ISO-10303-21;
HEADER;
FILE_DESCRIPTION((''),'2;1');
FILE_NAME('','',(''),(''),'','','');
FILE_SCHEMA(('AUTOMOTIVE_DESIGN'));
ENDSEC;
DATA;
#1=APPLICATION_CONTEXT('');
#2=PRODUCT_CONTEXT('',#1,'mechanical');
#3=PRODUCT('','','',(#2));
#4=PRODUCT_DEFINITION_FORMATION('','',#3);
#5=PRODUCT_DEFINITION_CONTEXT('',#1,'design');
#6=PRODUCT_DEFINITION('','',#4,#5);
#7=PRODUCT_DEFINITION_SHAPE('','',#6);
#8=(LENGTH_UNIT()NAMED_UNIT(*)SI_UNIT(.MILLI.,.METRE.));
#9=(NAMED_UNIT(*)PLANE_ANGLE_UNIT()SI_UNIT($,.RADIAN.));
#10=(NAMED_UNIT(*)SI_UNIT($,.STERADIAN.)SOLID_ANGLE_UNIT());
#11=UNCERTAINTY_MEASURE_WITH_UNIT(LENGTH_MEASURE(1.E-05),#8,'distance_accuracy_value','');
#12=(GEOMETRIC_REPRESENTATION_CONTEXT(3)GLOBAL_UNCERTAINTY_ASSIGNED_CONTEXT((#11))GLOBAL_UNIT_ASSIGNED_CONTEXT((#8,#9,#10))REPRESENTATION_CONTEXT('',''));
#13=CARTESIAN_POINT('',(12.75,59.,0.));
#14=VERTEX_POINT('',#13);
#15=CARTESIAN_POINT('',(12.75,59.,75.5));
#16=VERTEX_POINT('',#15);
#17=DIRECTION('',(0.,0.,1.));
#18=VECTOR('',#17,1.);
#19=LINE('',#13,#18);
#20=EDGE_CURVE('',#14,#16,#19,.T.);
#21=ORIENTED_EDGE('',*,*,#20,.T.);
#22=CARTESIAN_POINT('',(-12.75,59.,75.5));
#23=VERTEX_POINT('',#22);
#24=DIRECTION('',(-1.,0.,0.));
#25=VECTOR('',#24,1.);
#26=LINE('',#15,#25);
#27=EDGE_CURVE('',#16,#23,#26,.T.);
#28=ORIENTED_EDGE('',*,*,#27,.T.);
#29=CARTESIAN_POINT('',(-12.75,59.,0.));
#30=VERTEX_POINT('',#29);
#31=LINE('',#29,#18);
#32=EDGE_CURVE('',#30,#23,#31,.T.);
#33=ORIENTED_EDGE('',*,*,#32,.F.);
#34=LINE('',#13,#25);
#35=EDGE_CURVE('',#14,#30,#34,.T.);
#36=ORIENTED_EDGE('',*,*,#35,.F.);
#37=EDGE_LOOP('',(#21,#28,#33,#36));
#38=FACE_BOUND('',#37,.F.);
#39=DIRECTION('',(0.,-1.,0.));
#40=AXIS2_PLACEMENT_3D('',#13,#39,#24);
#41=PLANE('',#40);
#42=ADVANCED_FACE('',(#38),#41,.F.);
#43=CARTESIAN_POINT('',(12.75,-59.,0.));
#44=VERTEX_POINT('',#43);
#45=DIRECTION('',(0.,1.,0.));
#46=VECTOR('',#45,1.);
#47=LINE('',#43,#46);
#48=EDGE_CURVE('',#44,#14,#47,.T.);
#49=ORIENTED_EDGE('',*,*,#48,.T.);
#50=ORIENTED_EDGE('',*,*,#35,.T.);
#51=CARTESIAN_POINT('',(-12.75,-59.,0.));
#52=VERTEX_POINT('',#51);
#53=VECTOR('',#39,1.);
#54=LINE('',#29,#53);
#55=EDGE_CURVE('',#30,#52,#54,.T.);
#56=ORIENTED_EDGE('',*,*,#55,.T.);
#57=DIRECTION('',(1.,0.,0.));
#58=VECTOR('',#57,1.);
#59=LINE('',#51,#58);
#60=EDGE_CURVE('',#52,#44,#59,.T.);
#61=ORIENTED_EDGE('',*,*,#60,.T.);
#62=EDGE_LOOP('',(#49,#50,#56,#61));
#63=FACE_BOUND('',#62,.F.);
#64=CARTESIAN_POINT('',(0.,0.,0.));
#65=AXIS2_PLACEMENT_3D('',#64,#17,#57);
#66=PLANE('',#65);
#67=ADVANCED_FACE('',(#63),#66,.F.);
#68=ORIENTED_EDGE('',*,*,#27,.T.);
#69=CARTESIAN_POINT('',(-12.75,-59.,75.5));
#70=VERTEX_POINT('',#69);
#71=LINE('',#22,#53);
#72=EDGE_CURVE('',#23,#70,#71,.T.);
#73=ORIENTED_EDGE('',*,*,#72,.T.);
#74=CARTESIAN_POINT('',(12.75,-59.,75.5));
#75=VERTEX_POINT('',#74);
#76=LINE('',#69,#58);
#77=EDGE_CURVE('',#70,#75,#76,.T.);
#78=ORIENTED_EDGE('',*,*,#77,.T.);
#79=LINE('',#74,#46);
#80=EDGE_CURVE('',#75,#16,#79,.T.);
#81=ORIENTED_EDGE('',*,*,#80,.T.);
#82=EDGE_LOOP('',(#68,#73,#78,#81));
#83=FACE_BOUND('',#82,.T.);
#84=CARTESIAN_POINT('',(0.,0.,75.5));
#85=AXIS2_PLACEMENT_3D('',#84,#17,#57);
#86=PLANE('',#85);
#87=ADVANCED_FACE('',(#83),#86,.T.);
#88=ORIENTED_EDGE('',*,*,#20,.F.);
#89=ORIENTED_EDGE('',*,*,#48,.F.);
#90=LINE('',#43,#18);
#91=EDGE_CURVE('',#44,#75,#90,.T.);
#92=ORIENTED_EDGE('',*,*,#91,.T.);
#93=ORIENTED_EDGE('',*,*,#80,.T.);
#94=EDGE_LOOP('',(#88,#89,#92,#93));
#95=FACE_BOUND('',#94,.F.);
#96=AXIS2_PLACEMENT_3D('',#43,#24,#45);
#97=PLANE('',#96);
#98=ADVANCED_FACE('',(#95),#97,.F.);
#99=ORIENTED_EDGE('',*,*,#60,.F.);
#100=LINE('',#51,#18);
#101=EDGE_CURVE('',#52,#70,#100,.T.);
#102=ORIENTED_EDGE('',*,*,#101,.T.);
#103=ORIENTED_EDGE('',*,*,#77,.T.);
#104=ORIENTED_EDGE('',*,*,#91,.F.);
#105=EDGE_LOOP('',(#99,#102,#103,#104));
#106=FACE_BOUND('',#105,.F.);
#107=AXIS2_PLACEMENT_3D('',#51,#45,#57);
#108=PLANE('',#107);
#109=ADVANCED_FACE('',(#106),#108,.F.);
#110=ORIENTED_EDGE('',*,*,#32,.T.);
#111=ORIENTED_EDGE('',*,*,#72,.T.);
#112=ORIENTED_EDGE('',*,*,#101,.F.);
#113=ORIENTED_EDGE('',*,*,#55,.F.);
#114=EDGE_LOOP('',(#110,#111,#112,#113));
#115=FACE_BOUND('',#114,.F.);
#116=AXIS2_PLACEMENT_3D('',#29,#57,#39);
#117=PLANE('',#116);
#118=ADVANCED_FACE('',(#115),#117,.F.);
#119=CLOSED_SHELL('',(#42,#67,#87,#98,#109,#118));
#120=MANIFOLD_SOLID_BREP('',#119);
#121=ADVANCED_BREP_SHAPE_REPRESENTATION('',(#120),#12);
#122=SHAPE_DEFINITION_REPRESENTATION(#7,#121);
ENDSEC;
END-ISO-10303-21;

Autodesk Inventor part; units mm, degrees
ref_plane "YZ Plane" through (0, 0, 0) normal (1, 0, 0) x (0, 1, 0)
ref_plane "XZ Plane" through (0, 0, 0) normal (0, 1, 0) x (-1, 0, 0)
ref_plane "XY Plane" through (0, 0, 0) normal (0, 0, 1) x (1, 0, 0)
sketch "Skizze1" plane through (0, 0, 0) normal (0, 0, 1) x (1, 0, 0)
  line L0 (-12.75, -59) -> (12.75, -59)
  line L1 (12.75, -59) -> (12.75, 59)
  line L2 (12.75, 59) -> (-12.75, 59)
  line L3 (-12.75, 59) -> (-12.75, -59)
  line L4 (-12.75, -59) -> (12.75, 59) construction
  line L5 (12.75, -59) -> (-12.75, 59) construction
  point P0 (0, 0)
  dimension "d0" = 25.5
  dimension "d1" = 118
extrude "Extrusion1" add sketch "Skizze1" along normal blind 75.5
properties part number "Stepperdriver"
